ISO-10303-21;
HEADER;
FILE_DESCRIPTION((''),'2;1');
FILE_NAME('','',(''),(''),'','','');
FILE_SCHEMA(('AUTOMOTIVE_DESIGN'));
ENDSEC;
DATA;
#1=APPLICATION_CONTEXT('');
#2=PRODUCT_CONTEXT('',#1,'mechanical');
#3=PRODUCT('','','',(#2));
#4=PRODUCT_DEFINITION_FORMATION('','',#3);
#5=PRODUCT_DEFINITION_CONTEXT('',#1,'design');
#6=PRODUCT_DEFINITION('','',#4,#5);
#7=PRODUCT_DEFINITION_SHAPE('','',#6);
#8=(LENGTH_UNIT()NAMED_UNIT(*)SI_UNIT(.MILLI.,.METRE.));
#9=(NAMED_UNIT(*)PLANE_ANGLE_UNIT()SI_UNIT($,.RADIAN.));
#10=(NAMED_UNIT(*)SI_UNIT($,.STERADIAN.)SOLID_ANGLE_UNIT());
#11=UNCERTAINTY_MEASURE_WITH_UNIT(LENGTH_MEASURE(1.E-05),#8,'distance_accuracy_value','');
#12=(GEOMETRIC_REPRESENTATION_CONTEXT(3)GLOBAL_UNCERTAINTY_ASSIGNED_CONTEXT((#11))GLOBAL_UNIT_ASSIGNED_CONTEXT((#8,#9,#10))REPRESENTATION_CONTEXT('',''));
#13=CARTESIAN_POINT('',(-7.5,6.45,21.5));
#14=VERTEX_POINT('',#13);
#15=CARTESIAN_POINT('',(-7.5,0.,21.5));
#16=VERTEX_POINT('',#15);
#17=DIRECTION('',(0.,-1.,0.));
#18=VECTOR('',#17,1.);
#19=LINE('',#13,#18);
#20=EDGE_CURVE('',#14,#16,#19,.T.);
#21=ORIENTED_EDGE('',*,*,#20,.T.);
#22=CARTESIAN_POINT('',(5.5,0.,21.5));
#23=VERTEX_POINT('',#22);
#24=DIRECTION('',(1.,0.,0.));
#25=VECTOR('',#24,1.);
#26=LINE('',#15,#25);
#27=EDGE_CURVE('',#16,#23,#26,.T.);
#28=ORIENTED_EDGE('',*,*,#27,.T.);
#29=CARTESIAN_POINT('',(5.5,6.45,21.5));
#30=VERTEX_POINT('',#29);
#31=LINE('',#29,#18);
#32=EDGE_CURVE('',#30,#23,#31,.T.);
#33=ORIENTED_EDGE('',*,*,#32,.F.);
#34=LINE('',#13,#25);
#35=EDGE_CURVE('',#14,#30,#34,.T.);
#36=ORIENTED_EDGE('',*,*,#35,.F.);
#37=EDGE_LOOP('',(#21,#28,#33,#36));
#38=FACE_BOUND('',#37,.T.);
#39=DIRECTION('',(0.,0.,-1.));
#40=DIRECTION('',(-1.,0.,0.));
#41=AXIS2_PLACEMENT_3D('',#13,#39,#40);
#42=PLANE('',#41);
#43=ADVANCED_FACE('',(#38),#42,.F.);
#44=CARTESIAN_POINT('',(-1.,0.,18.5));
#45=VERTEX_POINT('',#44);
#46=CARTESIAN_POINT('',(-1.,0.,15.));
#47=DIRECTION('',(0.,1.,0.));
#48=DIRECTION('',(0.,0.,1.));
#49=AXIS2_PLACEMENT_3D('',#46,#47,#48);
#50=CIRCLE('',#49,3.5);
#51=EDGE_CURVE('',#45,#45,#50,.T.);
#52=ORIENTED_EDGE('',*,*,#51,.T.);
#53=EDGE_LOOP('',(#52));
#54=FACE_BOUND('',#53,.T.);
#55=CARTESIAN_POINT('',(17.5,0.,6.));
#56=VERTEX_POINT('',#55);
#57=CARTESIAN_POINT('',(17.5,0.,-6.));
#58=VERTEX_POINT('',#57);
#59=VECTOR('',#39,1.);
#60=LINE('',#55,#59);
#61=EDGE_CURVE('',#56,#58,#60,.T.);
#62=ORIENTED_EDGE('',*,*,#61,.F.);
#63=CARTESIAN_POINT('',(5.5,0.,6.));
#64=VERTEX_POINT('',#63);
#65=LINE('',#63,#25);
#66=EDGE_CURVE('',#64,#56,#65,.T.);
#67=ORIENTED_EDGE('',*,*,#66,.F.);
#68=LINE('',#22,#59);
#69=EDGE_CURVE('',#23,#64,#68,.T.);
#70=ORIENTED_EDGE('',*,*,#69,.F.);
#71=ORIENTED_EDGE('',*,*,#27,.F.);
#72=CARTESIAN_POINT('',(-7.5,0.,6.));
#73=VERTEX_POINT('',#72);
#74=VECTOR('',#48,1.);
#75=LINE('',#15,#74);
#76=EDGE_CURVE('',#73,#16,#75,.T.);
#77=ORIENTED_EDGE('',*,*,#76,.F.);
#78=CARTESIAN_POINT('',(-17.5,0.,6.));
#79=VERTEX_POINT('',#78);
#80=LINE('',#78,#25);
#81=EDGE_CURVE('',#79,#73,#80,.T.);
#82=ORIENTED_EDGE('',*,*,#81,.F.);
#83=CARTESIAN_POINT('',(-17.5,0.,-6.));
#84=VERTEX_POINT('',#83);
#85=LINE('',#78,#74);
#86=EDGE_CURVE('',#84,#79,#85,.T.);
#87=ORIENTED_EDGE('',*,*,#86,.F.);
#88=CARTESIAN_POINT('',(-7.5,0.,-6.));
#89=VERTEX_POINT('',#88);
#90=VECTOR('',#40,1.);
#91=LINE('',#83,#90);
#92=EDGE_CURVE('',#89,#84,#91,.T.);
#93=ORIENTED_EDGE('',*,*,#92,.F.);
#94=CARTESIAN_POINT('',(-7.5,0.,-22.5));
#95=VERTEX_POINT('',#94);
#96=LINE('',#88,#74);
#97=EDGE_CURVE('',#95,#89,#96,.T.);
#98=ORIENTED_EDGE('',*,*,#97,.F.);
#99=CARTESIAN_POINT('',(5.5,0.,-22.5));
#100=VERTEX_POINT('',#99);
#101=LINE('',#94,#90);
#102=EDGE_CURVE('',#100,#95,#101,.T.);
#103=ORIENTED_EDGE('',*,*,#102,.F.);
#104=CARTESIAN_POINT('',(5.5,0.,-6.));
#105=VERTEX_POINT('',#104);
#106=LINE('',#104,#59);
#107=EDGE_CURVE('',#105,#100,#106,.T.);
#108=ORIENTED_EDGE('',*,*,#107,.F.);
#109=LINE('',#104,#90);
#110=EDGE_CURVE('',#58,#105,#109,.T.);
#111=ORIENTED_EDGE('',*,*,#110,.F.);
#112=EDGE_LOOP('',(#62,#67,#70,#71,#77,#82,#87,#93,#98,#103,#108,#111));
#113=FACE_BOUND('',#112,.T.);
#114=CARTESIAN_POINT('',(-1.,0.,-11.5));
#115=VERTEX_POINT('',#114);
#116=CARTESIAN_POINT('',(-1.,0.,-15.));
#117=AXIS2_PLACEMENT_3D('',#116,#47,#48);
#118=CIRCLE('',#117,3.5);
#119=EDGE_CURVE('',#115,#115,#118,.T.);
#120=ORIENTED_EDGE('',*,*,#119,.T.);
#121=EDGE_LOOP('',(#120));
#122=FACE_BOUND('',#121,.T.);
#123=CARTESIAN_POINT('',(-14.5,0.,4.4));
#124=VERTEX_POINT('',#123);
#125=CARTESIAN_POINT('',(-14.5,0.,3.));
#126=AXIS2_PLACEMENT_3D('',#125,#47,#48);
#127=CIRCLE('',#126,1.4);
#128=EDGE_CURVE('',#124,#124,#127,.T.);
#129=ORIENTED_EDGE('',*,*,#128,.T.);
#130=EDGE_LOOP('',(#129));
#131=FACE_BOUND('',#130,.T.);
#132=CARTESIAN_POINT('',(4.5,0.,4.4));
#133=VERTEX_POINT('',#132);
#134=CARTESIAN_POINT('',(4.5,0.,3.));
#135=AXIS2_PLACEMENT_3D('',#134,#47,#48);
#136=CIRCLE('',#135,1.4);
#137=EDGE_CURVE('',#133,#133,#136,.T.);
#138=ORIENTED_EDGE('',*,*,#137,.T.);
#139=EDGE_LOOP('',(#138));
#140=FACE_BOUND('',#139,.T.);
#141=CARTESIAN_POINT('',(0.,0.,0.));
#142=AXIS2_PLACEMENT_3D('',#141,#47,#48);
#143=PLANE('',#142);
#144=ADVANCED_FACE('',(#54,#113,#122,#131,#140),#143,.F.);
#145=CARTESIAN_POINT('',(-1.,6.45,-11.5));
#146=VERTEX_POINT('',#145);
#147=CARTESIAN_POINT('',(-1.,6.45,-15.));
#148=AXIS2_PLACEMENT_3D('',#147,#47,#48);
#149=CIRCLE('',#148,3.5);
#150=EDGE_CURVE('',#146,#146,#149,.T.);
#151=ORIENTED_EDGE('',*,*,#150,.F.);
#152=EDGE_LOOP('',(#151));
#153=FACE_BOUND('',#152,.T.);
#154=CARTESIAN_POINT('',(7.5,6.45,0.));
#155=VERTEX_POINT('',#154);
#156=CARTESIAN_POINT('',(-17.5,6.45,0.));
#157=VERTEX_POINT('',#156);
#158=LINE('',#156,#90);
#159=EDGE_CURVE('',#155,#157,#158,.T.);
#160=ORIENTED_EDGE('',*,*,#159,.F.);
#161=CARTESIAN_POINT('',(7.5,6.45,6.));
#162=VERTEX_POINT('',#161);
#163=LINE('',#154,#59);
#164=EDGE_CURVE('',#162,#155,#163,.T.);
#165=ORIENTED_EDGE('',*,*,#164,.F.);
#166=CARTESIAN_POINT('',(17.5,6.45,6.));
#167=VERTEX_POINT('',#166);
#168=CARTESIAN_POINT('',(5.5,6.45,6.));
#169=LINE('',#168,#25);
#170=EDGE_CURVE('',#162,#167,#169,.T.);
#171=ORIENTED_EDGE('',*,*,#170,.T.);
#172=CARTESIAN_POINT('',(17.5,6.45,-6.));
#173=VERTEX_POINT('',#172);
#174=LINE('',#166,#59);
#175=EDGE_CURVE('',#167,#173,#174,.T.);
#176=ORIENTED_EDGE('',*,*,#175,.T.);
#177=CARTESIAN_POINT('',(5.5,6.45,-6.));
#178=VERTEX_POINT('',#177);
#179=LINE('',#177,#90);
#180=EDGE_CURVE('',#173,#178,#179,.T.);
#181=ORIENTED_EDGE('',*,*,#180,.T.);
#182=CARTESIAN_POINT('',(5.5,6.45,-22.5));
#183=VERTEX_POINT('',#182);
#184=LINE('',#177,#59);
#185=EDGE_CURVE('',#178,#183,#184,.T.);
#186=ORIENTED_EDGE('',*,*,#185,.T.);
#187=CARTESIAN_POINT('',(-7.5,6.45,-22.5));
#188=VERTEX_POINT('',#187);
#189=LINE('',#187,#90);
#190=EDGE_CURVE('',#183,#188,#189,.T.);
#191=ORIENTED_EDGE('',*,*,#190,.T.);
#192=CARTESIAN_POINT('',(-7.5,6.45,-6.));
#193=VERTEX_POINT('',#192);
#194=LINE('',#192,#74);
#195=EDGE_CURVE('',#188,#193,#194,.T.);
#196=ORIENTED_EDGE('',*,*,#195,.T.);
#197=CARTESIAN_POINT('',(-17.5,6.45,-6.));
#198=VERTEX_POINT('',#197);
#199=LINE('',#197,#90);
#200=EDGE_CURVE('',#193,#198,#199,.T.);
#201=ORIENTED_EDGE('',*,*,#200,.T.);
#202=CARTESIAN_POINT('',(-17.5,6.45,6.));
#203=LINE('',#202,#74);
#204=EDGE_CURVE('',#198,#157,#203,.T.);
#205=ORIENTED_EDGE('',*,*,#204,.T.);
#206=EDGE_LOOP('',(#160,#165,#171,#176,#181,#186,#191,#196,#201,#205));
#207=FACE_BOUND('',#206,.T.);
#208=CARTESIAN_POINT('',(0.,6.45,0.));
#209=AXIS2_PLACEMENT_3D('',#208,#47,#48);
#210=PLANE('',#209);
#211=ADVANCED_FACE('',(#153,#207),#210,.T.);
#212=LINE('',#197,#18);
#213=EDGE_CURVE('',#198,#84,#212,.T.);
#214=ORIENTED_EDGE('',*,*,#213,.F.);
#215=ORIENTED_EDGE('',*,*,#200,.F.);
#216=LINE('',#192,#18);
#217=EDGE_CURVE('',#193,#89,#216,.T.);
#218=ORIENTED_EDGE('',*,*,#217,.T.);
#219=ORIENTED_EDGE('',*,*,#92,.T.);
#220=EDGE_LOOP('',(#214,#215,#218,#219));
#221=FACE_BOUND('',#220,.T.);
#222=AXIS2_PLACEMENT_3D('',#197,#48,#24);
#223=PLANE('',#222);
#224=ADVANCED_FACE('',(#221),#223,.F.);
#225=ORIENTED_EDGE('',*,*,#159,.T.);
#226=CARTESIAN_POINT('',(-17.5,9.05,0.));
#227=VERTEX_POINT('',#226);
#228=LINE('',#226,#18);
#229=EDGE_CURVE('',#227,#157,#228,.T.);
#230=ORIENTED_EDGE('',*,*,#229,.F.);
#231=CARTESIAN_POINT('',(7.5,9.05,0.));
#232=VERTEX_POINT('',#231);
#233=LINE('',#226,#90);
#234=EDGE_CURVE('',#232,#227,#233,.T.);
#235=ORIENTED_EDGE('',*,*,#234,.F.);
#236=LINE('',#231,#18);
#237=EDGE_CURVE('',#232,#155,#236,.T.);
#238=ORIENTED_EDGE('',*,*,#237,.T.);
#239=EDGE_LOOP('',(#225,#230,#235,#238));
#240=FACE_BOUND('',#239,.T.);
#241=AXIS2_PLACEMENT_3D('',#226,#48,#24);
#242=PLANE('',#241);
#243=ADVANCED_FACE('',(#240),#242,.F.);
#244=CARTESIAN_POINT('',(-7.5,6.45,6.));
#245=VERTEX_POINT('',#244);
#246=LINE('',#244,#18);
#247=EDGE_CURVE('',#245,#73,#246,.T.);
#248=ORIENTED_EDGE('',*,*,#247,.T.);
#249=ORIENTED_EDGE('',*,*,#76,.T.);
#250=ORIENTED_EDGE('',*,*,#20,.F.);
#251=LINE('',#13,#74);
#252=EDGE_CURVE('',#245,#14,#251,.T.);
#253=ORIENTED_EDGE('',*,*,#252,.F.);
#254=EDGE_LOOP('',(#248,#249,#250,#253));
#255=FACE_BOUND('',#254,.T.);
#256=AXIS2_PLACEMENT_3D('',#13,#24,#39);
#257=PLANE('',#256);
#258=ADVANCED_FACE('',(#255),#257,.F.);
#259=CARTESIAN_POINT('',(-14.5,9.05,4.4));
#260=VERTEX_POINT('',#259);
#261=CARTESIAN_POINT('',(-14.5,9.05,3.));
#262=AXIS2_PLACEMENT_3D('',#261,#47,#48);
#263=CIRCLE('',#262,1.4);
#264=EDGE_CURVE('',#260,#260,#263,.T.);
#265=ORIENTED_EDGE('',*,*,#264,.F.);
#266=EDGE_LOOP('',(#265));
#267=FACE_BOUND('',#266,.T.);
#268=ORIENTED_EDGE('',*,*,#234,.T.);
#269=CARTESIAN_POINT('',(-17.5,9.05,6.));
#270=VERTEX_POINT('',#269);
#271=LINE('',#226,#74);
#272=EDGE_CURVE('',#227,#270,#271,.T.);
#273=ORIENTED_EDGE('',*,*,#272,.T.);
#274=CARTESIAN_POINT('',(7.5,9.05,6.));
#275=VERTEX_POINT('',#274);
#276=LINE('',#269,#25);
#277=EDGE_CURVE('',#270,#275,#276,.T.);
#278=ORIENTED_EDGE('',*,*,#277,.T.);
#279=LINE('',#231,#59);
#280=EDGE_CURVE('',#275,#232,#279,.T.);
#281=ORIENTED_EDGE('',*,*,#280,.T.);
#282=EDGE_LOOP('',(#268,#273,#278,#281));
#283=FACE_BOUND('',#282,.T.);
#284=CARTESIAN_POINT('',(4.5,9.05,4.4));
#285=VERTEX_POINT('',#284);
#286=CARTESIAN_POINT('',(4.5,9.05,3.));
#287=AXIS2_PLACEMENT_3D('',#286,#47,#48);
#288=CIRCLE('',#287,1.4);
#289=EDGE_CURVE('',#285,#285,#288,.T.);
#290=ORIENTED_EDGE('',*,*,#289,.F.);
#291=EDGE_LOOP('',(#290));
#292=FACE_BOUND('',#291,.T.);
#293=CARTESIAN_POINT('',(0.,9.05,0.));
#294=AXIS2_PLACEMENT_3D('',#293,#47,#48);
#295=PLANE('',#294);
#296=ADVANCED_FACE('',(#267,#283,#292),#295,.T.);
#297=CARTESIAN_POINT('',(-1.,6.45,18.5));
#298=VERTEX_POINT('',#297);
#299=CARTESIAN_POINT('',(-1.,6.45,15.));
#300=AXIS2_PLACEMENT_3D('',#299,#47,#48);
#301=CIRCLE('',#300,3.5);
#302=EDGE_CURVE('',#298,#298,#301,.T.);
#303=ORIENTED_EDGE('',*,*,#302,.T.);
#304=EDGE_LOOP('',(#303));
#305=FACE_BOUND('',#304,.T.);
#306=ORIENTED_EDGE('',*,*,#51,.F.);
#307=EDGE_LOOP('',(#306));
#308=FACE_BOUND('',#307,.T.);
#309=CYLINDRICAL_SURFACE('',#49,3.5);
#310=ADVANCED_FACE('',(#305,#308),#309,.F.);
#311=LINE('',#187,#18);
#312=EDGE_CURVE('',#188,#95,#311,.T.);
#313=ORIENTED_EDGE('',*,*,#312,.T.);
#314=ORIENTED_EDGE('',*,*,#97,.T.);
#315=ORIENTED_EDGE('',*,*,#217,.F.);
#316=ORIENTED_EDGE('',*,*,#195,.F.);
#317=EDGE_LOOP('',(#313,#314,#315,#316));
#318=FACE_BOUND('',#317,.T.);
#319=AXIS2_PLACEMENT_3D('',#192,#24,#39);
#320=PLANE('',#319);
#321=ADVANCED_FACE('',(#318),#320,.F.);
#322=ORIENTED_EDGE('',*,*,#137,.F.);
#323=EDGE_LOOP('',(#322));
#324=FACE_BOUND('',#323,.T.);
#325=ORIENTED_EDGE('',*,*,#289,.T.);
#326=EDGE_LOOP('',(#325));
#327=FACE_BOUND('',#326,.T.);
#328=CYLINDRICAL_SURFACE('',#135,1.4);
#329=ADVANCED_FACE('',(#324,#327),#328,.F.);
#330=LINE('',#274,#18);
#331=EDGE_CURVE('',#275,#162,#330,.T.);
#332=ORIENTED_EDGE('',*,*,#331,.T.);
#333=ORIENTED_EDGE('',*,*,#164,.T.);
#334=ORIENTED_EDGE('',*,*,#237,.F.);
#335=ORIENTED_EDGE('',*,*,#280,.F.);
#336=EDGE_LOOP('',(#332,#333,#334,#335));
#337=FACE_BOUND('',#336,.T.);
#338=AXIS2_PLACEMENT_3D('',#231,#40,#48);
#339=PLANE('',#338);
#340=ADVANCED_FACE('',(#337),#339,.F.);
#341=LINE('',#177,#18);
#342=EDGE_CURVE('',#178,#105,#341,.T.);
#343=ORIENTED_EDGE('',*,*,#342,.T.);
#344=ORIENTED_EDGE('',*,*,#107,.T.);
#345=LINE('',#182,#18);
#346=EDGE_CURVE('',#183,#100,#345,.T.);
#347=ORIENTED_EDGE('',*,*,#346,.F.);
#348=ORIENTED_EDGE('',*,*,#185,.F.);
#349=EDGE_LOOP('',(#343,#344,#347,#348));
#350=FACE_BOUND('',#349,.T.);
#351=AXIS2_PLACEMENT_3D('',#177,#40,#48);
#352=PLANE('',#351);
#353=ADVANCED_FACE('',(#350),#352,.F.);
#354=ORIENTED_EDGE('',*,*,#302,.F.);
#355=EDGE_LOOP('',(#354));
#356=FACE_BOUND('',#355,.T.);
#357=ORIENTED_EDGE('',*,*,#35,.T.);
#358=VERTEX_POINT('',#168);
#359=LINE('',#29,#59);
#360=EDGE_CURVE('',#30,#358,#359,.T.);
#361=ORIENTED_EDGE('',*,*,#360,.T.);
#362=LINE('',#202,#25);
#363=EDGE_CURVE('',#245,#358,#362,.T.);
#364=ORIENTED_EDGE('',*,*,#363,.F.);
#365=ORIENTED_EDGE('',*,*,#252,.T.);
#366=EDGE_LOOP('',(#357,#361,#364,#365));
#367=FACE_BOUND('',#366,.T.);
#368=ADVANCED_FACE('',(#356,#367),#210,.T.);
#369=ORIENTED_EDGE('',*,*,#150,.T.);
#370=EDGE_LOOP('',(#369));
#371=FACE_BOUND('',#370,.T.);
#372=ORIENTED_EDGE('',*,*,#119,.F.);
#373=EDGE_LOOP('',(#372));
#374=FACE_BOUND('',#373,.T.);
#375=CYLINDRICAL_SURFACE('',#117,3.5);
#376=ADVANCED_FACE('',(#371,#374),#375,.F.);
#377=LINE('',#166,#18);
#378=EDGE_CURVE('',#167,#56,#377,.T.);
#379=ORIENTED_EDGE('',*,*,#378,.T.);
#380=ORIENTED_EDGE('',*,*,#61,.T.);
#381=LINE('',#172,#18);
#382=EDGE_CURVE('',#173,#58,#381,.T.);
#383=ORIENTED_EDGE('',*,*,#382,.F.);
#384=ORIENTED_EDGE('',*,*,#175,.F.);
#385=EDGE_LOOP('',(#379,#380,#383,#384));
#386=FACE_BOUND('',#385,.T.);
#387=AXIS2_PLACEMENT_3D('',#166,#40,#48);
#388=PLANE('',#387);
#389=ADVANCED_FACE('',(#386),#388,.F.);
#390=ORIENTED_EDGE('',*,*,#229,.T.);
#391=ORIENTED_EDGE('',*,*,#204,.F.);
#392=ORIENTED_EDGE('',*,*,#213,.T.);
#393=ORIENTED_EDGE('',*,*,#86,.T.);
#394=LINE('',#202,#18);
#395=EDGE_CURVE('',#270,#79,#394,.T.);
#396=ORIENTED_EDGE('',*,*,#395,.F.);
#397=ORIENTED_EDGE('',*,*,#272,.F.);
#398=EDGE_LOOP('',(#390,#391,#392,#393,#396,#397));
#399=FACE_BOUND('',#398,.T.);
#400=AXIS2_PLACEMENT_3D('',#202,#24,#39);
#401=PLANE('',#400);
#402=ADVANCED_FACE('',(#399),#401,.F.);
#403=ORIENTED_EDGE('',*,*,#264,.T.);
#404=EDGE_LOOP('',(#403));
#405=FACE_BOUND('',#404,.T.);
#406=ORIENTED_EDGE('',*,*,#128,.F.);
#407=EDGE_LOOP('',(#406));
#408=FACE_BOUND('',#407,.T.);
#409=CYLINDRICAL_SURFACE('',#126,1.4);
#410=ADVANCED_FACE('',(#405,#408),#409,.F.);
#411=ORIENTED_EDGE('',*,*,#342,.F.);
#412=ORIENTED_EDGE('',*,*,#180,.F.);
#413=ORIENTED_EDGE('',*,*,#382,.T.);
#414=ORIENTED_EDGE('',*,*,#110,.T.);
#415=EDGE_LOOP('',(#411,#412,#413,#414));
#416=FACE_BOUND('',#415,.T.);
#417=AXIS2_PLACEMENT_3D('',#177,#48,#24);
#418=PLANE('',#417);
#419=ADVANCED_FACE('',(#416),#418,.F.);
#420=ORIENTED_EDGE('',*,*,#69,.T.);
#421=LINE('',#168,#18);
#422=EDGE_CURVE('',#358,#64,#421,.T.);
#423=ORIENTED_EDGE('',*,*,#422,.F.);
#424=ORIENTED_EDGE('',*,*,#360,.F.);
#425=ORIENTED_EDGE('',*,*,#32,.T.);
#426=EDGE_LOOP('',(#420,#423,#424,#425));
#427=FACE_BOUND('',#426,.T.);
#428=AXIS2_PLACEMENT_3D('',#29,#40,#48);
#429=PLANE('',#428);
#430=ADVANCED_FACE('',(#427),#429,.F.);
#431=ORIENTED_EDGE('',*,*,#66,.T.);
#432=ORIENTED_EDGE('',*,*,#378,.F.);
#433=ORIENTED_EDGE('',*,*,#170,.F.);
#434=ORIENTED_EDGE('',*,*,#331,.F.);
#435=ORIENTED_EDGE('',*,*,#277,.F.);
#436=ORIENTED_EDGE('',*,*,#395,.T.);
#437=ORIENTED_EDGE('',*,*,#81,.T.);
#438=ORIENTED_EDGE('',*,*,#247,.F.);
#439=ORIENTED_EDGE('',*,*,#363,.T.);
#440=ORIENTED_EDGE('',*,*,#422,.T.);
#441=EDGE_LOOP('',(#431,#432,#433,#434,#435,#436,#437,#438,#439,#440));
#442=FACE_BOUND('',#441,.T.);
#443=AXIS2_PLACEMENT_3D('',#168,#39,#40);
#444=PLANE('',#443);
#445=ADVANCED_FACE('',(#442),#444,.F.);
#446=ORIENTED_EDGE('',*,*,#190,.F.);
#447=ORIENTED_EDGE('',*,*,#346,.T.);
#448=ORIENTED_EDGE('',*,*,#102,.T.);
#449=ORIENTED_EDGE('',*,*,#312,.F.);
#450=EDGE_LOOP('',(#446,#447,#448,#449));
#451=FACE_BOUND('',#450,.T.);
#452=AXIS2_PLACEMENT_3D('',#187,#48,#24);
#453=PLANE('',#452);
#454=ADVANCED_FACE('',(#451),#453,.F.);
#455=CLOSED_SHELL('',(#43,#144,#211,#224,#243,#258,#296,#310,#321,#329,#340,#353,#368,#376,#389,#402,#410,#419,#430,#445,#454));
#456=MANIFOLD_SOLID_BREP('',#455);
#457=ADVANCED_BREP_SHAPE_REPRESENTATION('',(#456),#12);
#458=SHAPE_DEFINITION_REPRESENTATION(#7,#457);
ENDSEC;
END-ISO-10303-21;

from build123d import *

# Parameters (mm, degrees)
BOSS_EXTRUDE1_DEPTH = 6.45
SKETCH2_W           = 25
SKETCH2_H           = 6
BOSS_EXTRUDE2_DEPTH = 2.6
SKETCH3_R           = 3.5
CUT_EXTRUDE1_DEPTH  = 7.45
SKETCH4_R           = 1.4
CUT_EXTRUDE2_DEPTH  = 10.05


with BuildPart() as part:
    # Sketch1 → Boss-Extrude1 (new body)
    with BuildSketch(Plane(origin=(0, 0, 0), x_dir=(1, 0, 0), z_dir=(0, 1, 0))):
        Polygon((5.5, 6), (5.5, 22.5), (-7.5, 22.5), (-7.5, 6), (-17.5, 6), (-17.5, -6), (-7.5, -6), (-7.5, -21.5), (5.5, -21.5), (5.5, -6), (17.5, -6), (17.5, 6), align=None)
    extrude(amount=BOSS_EXTRUDE1_DEPTH)

    # Sketch2 → Boss-Extrude2 (add)
    with BuildSketch(Plane(origin=(0, 6.45, 0), x_dir=(1, 0, 0), z_dir=(0, 1, 0))):
        with Locations((-5, -3)):
            Rectangle(SKETCH2_W, SKETCH2_H)
    extrude(amount=BOSS_EXTRUDE2_DEPTH)

    # Sketch3 → Cut-Extrude1 (cut, through all)
    with BuildSketch(Plane(origin=(0, 6.45, 0), x_dir=(1, 0, 0), z_dir=(0, 1, 0))):
        with Locations((-1, 15)):
            Circle(SKETCH3_R)
        with Locations((-1, -15)):
            Circle(SKETCH3_R)
    extrude(amount=-CUT_EXTRUDE1_DEPTH, mode=Mode.SUBTRACT)

    # Sketch4 → Cut-Extrude2 (cut, through all)
    with BuildSketch(Plane(origin=(0, 9.05, 0), x_dir=(1, 0, 0), z_dir=(0, 1, 0))):
        with Locations((-14.5, -3)):
            Circle(SKETCH4_R)
        with Locations((4.5, -3)):
            Circle(SKETCH4_R)
    extrude(amount=-CUT_EXTRUDE2_DEPTH, mode=Mode.SUBTRACT)


solid = part.part
